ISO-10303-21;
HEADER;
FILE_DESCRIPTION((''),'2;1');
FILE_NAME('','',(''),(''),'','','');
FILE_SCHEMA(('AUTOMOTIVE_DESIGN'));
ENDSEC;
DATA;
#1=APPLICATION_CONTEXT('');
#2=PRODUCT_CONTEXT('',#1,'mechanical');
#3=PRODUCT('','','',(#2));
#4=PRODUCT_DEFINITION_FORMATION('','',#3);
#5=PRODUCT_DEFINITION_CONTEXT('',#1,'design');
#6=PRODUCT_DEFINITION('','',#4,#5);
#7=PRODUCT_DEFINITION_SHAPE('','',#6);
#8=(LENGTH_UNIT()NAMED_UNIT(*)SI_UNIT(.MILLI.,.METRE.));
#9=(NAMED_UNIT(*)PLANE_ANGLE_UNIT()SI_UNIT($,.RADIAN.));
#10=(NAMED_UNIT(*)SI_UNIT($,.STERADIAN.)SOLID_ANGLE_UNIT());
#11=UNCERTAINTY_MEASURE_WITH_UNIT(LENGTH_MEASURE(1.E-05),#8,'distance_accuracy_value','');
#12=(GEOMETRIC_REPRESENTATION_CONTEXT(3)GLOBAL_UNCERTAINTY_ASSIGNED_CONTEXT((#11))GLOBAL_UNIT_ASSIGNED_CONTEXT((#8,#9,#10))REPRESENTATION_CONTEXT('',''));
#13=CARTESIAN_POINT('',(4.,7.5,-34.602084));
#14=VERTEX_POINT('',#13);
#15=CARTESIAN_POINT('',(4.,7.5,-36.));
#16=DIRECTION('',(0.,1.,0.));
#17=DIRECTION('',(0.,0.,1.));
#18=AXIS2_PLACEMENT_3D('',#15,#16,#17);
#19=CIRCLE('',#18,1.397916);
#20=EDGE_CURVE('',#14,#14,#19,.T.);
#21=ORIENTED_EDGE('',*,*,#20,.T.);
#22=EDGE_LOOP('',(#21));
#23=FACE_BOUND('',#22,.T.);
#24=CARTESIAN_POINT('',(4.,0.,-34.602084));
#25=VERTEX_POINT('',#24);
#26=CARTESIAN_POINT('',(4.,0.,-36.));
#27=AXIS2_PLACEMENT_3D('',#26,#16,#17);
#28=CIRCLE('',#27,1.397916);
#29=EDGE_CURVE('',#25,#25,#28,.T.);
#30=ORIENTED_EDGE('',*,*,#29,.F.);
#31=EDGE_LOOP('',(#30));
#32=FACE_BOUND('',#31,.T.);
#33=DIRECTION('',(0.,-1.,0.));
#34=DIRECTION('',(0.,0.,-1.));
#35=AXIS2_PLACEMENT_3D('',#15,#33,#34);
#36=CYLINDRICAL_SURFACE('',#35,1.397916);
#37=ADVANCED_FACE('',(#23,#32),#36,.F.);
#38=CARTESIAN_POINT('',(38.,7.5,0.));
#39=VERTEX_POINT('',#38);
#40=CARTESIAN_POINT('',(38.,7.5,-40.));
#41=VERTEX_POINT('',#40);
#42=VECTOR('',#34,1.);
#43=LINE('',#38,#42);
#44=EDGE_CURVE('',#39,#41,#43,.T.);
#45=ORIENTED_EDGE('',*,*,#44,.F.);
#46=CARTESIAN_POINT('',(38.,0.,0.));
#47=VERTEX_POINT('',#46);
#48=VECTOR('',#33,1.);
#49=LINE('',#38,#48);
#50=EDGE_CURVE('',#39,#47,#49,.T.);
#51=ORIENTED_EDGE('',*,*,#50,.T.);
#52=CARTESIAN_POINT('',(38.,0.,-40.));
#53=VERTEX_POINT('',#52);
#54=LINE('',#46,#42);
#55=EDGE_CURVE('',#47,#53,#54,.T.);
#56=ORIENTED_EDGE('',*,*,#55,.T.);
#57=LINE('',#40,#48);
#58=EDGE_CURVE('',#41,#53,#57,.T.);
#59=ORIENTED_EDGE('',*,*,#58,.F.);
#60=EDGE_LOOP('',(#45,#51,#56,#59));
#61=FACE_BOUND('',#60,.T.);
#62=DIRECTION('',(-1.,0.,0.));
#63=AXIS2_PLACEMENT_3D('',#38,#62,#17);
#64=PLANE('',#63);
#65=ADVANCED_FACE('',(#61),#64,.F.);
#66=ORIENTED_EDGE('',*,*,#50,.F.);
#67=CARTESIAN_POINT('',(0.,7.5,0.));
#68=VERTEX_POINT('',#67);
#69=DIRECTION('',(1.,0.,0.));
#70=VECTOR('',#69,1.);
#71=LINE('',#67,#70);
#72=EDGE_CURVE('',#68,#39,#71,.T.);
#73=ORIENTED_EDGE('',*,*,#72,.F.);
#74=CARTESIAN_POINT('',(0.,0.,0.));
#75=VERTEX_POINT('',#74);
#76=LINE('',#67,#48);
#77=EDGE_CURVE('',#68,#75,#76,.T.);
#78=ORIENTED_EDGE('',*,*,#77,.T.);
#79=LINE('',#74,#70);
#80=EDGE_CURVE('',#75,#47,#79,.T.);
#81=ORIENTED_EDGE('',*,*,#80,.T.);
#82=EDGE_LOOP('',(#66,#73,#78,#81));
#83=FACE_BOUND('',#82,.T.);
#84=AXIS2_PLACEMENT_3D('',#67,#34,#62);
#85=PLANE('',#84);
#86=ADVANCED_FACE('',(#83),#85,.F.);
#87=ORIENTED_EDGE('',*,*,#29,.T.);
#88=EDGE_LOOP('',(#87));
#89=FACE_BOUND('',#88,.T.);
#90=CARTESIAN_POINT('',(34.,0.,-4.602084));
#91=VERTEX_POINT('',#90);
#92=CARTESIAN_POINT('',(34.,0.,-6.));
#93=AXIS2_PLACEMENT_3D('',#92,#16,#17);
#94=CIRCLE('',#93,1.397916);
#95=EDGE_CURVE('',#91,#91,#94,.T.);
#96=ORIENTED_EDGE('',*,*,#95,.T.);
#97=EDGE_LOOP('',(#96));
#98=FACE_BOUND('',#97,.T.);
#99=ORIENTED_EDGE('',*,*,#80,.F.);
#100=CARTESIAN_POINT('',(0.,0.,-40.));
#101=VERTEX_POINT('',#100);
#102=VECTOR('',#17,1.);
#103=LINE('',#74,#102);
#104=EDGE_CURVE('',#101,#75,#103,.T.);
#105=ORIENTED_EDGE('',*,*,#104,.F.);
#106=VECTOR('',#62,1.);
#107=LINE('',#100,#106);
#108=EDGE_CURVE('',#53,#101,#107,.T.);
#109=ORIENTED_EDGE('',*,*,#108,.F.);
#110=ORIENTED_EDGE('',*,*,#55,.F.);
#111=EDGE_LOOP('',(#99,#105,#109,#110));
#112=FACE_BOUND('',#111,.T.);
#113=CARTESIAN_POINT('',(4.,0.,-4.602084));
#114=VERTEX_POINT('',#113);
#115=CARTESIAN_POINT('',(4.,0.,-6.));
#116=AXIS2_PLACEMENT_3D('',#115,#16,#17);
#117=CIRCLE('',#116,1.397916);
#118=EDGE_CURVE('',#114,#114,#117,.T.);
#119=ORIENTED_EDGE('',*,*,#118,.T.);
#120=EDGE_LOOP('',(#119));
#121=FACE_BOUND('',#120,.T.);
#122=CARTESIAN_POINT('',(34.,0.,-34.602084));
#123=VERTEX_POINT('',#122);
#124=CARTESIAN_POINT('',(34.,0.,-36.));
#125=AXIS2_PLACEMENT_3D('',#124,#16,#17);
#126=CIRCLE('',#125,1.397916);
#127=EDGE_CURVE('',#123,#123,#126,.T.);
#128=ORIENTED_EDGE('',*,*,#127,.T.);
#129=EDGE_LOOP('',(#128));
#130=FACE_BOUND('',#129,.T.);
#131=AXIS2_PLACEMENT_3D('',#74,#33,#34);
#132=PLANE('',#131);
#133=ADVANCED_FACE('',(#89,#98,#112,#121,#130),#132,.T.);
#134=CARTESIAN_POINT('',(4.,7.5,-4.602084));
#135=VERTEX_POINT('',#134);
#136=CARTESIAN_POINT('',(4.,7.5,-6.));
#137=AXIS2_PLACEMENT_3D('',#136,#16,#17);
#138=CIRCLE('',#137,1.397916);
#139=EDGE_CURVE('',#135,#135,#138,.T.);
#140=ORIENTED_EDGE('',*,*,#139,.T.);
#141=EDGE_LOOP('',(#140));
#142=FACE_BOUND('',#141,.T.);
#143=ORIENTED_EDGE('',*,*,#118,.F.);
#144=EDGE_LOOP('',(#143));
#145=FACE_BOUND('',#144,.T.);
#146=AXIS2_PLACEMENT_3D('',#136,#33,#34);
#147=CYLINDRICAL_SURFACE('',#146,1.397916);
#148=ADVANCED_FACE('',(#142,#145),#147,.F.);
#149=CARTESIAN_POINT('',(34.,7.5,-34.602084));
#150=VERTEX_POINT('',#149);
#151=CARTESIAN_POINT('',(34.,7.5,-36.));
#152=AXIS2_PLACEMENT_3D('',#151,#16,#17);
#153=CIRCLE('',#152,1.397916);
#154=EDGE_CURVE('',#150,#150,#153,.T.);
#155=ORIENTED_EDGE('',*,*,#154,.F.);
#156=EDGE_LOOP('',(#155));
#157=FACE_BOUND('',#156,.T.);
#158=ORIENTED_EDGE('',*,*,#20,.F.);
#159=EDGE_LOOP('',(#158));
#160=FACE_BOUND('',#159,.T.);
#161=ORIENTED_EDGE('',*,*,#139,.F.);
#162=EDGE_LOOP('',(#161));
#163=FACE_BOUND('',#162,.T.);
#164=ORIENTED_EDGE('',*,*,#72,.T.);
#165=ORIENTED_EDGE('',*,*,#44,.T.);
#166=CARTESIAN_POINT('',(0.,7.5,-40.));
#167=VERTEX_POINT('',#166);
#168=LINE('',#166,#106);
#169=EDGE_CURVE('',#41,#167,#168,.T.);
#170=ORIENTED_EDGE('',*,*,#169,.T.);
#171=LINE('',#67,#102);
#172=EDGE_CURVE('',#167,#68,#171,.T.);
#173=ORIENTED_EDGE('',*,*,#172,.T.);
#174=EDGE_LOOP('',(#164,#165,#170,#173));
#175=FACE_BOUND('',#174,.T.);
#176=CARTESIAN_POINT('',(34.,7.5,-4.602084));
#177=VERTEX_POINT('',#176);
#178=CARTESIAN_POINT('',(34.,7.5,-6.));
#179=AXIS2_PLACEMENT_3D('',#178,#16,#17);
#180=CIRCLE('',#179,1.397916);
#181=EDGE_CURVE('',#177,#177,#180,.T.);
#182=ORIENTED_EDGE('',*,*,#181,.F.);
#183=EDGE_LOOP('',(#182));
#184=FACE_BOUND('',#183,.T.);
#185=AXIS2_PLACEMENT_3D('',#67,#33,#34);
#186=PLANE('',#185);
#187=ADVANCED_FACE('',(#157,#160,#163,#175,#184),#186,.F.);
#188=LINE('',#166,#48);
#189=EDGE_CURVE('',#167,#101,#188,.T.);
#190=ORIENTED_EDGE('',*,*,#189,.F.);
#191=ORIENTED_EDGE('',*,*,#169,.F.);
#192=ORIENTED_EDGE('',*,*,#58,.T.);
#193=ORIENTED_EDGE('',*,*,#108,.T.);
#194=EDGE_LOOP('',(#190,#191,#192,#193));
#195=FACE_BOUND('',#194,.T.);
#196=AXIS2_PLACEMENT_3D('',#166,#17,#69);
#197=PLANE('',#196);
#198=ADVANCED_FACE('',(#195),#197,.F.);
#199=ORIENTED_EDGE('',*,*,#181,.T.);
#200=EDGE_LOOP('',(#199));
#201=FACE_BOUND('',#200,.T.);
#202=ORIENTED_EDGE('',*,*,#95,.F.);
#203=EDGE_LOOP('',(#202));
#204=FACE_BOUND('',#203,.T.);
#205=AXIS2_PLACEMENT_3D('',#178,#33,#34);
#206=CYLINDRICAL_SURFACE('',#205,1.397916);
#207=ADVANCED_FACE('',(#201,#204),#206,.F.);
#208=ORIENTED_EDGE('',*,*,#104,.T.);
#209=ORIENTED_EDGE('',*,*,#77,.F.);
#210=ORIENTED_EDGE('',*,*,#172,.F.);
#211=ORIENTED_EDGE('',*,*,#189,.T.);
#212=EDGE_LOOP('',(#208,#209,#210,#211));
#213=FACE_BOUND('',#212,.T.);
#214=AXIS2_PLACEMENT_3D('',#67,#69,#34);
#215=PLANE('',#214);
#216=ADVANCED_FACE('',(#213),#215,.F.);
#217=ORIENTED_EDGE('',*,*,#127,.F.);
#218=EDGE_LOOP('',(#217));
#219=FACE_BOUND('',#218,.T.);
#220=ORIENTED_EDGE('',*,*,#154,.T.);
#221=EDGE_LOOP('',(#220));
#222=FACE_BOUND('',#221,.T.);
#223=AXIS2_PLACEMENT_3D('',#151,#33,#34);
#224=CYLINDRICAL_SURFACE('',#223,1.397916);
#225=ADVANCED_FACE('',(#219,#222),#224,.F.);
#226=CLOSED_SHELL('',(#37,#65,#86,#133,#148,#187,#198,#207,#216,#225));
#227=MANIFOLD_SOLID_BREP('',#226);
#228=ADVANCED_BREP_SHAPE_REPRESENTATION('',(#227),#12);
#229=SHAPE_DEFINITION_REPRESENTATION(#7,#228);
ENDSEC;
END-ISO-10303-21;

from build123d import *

# Parameters (mm, degrees)
SKETCH1_W           = 38
SKETCH1_H           = 40
SKETCH1_R           = 1.397916054
BOSS_EXTRUDE1_DEPTH = 7.5


with BuildPart() as part:
    # Sketch1 → Boss-Extrude1 (new body)
    with BuildSketch(Plane(origin=(0, 0, 0), x_dir=(1, 0, 0), z_dir=(0, 1, 0))):
        with Locations((19, 20)):
            Rectangle(SKETCH1_W, SKETCH1_H)
        with Locations((4, 36)):
            Circle(SKETCH1_R, mode=Mode.SUBTRACT)
        with Locations((34, 36)):
            Circle(SKETCH1_R, mode=Mode.SUBTRACT)
        with Locations((4, 6)):
            Circle(SKETCH1_R, mode=Mode.SUBTRACT)
        with Locations((34, 6)):
            Circle(SKETCH1_R, mode=Mode.SUBTRACT)
    extrude(amount=BOSS_EXTRUDE1_DEPTH)


solid = part.part
